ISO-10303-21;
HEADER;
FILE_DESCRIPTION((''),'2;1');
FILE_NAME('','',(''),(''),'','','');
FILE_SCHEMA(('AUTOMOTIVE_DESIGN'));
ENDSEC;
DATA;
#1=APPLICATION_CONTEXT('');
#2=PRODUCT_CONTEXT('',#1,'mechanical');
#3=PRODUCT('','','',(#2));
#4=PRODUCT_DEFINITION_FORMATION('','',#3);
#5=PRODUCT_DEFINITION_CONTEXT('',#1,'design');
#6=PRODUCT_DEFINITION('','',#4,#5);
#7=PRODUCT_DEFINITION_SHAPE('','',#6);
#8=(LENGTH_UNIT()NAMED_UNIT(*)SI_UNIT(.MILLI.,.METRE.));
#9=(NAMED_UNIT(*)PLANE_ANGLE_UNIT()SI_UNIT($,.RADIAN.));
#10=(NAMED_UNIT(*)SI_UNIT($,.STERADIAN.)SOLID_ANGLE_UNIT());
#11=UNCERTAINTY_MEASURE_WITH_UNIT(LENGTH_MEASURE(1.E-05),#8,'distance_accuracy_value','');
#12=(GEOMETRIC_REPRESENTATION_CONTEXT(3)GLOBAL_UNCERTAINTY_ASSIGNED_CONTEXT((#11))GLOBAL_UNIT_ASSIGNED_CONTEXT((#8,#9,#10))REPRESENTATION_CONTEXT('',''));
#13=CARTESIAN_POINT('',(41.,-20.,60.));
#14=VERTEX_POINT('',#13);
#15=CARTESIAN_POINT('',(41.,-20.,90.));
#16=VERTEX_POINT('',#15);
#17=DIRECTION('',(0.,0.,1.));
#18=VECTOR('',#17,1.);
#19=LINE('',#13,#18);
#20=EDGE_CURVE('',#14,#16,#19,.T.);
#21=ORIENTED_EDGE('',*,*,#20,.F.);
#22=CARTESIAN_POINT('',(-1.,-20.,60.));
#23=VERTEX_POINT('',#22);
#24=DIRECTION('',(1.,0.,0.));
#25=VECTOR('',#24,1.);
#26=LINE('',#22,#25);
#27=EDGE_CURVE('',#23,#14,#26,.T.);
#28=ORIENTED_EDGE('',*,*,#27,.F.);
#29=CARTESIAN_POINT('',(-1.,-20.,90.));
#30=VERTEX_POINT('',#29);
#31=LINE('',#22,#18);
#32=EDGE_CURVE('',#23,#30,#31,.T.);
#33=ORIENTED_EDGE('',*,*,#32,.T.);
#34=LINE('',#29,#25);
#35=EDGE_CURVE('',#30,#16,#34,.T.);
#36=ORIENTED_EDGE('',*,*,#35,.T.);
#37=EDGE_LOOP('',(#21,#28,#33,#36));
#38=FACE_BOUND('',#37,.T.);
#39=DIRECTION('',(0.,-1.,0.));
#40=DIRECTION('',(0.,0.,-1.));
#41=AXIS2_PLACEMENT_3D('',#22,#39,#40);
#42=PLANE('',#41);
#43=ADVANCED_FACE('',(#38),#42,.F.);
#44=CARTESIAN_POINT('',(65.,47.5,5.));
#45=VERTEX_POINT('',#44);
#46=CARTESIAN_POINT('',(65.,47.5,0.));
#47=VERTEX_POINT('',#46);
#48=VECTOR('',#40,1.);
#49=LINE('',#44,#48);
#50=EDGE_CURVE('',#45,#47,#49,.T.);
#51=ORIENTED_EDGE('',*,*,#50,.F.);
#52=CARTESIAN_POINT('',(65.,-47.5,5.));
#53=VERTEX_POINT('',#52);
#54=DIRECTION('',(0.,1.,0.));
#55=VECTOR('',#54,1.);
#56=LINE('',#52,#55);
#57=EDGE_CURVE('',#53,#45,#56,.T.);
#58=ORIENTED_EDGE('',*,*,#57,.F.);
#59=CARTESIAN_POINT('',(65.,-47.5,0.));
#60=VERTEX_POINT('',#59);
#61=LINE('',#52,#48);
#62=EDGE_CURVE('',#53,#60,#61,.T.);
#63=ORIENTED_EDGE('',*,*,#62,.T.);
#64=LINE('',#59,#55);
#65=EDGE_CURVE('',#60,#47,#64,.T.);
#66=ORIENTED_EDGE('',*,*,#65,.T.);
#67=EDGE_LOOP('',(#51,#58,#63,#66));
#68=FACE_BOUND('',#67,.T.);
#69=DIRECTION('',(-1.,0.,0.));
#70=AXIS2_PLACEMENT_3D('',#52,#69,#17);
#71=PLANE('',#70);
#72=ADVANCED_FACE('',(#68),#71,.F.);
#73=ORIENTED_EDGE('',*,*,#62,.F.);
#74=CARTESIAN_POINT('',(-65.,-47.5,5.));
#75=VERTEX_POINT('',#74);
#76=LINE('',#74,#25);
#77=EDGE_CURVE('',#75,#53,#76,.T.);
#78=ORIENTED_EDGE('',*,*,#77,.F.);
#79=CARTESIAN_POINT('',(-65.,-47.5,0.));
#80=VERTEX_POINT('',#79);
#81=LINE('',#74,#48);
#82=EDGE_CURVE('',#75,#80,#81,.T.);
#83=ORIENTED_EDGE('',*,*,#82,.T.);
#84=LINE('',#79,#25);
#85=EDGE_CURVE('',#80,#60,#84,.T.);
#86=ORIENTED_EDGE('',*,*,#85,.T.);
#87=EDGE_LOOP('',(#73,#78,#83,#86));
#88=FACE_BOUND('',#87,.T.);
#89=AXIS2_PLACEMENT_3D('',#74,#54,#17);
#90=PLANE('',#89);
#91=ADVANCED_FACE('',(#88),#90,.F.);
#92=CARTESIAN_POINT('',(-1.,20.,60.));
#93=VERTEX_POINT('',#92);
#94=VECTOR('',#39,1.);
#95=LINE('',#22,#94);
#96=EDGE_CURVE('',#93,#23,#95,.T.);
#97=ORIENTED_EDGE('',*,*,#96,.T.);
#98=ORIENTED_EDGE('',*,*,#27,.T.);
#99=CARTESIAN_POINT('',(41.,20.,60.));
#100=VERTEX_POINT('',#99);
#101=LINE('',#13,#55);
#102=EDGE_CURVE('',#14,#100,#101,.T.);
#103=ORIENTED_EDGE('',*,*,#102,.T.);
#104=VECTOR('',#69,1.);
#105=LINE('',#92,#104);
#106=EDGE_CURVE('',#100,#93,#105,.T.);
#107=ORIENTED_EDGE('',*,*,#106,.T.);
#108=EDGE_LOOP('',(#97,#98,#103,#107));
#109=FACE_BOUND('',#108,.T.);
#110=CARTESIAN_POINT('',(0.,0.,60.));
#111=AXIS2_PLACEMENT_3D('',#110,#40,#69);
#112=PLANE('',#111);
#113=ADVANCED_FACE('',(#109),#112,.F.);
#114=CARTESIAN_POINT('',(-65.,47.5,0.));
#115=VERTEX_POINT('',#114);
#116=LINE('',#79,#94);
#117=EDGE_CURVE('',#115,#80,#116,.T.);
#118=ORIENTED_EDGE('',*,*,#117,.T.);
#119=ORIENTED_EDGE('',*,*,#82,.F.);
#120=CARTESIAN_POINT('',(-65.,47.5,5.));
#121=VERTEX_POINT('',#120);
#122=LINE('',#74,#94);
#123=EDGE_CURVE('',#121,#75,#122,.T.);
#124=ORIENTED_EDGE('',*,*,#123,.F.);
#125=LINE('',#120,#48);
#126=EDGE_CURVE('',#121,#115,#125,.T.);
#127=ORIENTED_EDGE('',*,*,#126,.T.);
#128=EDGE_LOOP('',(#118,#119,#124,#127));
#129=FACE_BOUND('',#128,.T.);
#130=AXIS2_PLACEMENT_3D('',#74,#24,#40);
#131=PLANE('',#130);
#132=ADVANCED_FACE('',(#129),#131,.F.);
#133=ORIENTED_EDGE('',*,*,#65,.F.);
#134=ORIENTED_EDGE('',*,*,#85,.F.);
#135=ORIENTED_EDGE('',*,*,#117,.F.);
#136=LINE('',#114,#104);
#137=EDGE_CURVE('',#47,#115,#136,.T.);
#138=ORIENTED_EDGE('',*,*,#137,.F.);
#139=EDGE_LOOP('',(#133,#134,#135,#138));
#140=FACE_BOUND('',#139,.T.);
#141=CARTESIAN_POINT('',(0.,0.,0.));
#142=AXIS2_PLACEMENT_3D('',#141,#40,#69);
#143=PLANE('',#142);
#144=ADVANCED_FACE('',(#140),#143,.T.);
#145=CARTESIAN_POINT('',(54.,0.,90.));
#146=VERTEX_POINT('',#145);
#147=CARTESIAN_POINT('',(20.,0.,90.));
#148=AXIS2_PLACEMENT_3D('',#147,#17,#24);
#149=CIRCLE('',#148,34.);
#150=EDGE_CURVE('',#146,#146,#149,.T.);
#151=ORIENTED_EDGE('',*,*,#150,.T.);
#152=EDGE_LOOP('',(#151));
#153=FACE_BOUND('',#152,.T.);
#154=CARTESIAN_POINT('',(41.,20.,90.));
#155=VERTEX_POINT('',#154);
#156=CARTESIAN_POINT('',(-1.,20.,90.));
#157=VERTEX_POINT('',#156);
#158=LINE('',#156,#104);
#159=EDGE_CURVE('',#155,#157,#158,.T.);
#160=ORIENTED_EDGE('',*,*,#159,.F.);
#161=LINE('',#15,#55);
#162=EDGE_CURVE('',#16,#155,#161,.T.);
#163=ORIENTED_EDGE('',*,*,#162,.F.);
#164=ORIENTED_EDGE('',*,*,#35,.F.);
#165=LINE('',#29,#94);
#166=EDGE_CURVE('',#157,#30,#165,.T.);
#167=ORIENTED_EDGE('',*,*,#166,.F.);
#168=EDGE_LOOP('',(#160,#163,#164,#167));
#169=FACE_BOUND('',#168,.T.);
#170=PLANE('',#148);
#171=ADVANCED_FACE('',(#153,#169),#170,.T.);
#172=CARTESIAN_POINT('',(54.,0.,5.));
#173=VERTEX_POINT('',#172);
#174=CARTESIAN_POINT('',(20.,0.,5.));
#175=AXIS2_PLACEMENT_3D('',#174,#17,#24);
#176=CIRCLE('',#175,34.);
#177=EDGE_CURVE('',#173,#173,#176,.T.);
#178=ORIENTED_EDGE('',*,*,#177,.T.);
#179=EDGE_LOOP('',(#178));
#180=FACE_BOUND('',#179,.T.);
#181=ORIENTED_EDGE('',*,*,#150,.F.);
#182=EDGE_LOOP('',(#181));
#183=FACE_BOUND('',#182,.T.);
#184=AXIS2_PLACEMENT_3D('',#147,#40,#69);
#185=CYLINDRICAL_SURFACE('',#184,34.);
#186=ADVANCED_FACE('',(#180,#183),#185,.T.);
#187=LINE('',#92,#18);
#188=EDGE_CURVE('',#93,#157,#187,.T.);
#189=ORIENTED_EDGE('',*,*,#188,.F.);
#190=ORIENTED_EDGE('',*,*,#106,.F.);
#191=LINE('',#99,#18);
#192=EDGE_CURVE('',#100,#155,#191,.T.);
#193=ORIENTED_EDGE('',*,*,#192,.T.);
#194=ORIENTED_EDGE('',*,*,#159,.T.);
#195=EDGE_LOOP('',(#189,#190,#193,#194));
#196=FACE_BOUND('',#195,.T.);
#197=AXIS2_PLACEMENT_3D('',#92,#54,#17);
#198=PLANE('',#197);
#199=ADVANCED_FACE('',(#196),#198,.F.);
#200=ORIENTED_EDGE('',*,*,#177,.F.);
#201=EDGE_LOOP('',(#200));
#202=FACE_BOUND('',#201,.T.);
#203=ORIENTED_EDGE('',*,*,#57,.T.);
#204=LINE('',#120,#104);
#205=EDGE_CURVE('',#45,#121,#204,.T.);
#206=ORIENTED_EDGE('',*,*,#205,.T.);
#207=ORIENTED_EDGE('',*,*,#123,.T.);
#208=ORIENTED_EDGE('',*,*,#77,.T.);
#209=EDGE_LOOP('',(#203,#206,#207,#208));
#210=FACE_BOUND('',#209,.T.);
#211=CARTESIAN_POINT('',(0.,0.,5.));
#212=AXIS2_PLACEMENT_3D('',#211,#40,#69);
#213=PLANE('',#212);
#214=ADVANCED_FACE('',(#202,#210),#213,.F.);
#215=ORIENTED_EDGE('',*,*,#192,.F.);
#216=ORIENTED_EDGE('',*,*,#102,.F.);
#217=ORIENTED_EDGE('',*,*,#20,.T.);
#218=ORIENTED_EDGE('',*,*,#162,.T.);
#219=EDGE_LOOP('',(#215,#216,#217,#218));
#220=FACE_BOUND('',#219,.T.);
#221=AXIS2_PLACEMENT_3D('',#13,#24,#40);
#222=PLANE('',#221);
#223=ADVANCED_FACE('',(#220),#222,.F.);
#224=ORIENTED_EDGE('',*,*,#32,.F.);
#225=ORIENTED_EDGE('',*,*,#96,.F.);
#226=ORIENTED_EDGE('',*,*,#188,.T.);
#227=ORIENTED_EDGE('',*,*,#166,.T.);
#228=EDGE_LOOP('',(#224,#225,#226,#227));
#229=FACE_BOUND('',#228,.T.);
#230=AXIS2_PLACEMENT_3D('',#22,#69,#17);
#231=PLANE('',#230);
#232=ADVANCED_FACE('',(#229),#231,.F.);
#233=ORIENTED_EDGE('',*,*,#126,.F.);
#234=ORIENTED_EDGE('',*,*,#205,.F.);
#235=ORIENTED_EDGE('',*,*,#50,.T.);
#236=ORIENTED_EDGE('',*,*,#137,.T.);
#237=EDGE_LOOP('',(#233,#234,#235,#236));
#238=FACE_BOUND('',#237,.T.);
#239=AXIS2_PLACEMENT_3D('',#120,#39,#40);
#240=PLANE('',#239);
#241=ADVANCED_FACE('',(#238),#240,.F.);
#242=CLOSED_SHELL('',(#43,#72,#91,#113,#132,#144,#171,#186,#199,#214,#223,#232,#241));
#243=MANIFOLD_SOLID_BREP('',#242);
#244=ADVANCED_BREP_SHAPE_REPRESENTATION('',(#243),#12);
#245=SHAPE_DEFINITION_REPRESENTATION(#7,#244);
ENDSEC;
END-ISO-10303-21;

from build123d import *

# Parameters (mm, degrees)
CROQUIS1_W              = 130
CROQUIS1_H              = 95
SALIENTE_EXTRUIR1_DEPTH = 5
CROQUIS2_R              = 34
SALIENTE_EXTRUIR2_DEPTH = 85
CROQUIS3_W              = 42
CROQUIS3_H              = 40
CORTAR_EXTRUIR1_DEPTH   = 30


with BuildPart() as part:
    # Croquis1 → Saliente-Extruir1 (new body)
    with BuildSketch(Plane.XY):
        Rectangle(CROQUIS1_W, CROQUIS1_H)
    extrude(amount=SALIENTE_EXTRUIR1_DEPTH)

    # Croquis2 → Saliente-Extruir2 (add)
    with BuildSketch(Plane.XY.offset(5)):
        with Locations((20, 0)):
            Circle(CROQUIS2_R)
    extrude(amount=SALIENTE_EXTRUIR2_DEPTH)

    # Croquis3 → Cortar-Extruir1 (cut)
    with BuildSketch(Plane.XY.offset(90)):
        with Locations((20, 0)):
            Rectangle(CROQUIS3_W, CROQUIS3_H)
    extrude(amount=-CORTAR_EXTRUIR1_DEPTH, mode=Mode.SUBTRACT)


solid = part.part
